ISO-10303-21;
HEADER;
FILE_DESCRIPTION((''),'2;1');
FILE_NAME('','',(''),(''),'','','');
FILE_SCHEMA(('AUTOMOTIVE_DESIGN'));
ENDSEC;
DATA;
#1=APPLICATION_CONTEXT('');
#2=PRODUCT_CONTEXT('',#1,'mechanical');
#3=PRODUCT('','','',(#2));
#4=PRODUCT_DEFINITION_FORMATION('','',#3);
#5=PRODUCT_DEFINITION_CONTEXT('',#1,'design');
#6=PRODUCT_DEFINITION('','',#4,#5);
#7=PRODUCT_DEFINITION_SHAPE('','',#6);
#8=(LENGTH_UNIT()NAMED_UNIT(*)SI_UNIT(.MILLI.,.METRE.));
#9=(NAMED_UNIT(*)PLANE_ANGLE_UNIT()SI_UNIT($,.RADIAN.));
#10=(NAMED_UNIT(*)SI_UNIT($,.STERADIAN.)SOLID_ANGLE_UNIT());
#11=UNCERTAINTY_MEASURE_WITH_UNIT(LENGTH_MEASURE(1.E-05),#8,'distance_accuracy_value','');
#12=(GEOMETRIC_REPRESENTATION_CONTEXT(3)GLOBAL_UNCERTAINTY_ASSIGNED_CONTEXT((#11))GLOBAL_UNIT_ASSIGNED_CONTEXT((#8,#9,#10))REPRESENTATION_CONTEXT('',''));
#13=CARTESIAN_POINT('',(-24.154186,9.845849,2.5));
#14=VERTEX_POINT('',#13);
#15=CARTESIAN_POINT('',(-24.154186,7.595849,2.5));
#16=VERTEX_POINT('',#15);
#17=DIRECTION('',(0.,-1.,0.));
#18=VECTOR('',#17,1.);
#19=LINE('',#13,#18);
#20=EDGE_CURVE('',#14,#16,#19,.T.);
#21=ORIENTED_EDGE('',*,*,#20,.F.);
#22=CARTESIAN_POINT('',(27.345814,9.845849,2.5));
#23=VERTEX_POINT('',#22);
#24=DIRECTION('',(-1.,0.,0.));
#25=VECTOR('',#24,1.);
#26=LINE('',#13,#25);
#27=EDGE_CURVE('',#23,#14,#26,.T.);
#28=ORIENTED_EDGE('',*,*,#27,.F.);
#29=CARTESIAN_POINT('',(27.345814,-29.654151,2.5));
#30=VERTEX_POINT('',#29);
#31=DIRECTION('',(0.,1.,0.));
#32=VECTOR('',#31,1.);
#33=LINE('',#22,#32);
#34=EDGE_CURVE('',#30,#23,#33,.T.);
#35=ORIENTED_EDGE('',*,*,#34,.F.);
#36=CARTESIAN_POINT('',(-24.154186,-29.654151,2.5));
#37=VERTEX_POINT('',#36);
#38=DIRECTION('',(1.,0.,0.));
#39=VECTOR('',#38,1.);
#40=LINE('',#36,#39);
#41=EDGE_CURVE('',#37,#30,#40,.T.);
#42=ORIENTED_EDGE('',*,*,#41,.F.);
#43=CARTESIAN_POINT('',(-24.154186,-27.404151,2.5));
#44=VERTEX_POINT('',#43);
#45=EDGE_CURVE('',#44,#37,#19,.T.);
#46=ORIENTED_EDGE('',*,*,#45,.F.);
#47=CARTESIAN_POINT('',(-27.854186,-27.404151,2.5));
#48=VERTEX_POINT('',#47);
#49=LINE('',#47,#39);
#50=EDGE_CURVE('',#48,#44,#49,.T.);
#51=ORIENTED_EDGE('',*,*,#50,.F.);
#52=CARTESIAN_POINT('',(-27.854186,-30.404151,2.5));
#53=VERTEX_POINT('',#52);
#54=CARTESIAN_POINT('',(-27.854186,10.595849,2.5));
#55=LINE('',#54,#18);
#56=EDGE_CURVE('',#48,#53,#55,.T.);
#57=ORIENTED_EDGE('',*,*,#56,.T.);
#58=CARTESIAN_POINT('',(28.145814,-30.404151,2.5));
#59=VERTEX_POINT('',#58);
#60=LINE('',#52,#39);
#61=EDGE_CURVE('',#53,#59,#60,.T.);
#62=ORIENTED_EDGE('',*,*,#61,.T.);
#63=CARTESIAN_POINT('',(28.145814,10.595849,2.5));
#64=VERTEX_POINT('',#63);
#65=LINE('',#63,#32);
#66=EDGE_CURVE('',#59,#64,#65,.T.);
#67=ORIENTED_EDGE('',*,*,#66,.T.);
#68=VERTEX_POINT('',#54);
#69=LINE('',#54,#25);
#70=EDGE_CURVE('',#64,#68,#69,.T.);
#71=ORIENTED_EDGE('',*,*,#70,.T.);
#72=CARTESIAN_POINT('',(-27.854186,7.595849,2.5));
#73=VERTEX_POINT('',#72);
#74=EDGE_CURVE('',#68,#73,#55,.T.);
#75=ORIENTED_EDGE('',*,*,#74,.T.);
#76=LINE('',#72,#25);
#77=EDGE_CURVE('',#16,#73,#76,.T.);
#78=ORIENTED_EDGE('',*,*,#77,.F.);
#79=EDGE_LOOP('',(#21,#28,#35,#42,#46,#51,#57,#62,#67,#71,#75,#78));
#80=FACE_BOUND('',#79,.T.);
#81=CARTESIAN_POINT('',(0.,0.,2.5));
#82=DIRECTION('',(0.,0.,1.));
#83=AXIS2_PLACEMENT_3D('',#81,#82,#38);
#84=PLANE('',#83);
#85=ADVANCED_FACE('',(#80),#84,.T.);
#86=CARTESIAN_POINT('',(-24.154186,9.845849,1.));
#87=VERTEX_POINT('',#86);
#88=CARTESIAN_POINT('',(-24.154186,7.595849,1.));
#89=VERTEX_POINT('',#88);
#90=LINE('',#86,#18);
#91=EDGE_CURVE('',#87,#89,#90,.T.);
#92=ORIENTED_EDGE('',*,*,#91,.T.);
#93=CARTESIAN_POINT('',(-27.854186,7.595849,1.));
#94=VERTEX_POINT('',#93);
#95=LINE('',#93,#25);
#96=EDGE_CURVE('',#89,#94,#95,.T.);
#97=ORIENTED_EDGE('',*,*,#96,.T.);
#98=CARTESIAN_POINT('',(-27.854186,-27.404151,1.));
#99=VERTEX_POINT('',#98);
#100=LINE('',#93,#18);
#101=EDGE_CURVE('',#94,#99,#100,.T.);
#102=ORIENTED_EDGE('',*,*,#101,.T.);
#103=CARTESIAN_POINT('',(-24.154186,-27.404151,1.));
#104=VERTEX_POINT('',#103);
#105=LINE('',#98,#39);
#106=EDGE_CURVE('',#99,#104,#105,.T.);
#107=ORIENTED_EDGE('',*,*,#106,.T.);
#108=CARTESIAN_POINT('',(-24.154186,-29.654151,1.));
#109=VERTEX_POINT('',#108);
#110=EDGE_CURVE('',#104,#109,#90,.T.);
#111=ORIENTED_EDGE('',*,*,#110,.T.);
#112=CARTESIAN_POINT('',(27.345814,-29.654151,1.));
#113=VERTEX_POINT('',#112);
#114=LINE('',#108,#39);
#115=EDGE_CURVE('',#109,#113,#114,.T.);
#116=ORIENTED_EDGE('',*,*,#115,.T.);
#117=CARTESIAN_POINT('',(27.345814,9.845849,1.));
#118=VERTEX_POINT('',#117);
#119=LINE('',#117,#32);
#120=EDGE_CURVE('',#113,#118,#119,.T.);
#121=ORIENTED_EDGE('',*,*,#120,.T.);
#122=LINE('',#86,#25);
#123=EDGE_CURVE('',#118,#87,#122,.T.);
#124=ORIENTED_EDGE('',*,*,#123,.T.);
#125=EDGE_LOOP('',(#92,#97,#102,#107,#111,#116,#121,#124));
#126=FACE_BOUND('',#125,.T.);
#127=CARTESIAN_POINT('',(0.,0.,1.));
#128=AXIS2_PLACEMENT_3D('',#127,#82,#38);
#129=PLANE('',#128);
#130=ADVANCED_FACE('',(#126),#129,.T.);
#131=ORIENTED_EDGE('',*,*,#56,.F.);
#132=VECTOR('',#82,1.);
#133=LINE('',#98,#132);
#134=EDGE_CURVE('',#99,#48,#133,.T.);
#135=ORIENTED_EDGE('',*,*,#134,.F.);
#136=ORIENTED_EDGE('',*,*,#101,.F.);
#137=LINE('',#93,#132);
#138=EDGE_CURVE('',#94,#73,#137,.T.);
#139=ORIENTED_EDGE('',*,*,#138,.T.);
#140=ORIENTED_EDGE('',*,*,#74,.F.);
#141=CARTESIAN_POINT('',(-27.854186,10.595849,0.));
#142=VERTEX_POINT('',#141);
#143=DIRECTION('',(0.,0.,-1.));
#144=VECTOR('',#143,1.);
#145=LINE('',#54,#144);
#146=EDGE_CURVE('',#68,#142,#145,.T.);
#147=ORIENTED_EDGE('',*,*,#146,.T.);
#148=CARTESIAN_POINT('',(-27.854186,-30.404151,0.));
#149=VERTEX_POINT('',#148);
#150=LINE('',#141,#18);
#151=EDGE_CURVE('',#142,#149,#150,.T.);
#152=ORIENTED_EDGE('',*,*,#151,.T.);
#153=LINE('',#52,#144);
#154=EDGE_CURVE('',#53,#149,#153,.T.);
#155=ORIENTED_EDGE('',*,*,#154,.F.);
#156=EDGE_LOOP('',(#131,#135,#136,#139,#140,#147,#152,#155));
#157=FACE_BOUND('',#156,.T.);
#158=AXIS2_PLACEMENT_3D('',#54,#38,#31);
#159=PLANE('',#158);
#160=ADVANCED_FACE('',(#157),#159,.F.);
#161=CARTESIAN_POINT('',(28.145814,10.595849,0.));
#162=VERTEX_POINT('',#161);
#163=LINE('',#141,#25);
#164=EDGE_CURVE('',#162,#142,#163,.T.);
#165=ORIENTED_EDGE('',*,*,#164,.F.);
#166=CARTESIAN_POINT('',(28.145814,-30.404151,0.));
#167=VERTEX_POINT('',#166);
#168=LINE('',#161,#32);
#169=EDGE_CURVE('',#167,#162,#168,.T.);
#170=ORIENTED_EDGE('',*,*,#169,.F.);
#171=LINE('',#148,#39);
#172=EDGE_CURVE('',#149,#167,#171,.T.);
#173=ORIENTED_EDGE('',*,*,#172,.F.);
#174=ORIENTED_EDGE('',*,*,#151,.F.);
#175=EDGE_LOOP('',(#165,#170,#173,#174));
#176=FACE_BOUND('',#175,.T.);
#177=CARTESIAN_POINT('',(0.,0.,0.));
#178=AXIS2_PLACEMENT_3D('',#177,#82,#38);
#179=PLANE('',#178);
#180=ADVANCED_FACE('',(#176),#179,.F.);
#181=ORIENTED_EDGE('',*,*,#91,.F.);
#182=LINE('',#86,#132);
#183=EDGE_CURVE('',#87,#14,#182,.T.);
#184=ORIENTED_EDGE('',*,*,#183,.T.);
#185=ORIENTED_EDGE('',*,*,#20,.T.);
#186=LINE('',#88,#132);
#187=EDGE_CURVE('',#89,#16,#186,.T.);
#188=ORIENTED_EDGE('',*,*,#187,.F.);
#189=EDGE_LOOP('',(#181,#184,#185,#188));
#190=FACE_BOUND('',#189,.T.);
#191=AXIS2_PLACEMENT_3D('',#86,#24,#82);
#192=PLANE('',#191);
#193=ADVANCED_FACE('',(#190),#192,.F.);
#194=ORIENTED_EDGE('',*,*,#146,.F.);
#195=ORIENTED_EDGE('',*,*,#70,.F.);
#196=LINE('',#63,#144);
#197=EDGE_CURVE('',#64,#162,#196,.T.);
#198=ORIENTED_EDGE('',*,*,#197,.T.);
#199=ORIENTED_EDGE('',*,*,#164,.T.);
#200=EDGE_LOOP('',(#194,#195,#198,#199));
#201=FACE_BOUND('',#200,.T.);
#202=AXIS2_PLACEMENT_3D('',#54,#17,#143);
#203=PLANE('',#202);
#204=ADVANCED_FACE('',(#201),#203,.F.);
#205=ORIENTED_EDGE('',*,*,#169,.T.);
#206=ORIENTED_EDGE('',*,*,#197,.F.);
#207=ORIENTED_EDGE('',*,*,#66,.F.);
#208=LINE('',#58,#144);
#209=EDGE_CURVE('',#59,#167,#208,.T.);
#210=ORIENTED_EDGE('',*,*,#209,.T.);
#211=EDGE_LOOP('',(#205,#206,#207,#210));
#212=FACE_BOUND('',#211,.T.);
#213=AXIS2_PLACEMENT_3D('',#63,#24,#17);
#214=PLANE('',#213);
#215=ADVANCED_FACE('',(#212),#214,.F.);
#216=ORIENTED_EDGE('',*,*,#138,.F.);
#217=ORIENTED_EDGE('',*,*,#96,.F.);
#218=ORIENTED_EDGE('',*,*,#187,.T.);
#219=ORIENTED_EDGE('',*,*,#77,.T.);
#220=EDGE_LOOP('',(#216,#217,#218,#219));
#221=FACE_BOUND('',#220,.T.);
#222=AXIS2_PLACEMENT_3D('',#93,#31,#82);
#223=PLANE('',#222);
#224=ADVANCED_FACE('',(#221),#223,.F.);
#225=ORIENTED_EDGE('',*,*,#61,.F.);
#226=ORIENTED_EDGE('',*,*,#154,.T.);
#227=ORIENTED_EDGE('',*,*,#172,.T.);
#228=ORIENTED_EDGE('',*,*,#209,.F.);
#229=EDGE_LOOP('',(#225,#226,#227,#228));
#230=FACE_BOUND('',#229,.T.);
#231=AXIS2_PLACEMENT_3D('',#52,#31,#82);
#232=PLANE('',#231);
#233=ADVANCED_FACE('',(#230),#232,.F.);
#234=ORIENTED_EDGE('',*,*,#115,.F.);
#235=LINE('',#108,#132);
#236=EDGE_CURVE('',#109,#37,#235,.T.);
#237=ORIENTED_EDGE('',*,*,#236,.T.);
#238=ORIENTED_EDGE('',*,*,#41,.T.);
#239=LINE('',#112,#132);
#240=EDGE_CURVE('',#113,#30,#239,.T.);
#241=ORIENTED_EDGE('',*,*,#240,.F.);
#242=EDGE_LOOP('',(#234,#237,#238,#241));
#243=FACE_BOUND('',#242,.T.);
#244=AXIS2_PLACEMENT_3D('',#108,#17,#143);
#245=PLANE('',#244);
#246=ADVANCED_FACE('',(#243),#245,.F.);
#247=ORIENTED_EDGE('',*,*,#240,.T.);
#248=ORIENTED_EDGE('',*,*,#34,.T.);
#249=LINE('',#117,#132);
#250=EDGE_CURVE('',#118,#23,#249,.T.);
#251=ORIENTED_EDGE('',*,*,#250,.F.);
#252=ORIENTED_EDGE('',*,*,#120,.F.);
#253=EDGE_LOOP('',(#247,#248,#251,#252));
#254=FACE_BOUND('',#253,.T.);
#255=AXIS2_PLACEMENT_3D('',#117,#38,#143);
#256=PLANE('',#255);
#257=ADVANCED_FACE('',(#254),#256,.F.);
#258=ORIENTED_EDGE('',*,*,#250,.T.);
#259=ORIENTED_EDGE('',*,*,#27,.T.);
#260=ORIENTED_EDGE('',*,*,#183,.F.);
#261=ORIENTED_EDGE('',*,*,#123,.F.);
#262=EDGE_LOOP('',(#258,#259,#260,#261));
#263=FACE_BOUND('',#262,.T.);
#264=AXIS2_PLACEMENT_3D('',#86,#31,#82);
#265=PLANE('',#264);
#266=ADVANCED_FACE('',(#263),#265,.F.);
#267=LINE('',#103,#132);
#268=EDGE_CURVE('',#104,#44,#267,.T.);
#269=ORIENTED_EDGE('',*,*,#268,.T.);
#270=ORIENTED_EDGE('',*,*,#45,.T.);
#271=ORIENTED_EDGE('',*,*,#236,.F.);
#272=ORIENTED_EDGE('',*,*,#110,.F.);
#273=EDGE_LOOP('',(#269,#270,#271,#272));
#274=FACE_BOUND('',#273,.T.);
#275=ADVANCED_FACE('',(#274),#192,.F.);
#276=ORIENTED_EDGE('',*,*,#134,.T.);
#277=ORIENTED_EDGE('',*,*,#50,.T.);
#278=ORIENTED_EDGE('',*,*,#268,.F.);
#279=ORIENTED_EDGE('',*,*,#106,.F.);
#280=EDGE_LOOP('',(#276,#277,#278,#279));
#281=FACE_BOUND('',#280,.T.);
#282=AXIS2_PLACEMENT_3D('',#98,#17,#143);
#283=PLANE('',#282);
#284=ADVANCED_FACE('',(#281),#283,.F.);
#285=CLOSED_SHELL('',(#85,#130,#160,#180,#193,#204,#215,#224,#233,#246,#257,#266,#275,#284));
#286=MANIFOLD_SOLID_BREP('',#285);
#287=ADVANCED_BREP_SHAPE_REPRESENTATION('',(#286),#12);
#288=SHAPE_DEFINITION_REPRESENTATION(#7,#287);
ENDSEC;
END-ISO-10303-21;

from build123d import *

# Parameters (mm, degrees)
SKETCH1_W           = 56
SKETCH1_H           = 41
BOSS_EXTRUDE1_DEPTH = 2.5
SKETCH2_W           = 51.5
SKETCH2_H           = 39.5
CUT_EXTRUDE1_DEPTH  = 1.5
SKETCH3_W           = 3.7
SKETCH3_H           = 35
CUT_EXTRUDE2_DEPTH  = 1.5


with BuildPart() as part:
    # Sketch1 → Boss-Extrude1 (new body)
    with BuildSketch(Plane.XY):
        with Locations((0.145813854, -9.904151416)):
            Rectangle(SKETCH1_W, SKETCH1_H)
    extrude(amount=BOSS_EXTRUDE1_DEPTH)

    # Sketch2 → Cut-Extrude1 (cut)
    with BuildSketch(Plane.XY.offset(2.5)):
        with Locations((1.595813854, -9.904151416)):
            Rectangle(SKETCH2_W, SKETCH2_H)
    extrude(amount=-CUT_EXTRUDE1_DEPTH, mode=Mode.SUBTRACT)

    # Sketch3 → Cut-Extrude2 (cut)
    with BuildSketch(Plane.XY.offset(2.5)):
        with Locations((-26.004186146, -9.904151416)):
            Rectangle(SKETCH3_W, SKETCH3_H)
    extrude(amount=-CUT_EXTRUDE2_DEPTH, mode=Mode.SUBTRACT)


solid = part.part
